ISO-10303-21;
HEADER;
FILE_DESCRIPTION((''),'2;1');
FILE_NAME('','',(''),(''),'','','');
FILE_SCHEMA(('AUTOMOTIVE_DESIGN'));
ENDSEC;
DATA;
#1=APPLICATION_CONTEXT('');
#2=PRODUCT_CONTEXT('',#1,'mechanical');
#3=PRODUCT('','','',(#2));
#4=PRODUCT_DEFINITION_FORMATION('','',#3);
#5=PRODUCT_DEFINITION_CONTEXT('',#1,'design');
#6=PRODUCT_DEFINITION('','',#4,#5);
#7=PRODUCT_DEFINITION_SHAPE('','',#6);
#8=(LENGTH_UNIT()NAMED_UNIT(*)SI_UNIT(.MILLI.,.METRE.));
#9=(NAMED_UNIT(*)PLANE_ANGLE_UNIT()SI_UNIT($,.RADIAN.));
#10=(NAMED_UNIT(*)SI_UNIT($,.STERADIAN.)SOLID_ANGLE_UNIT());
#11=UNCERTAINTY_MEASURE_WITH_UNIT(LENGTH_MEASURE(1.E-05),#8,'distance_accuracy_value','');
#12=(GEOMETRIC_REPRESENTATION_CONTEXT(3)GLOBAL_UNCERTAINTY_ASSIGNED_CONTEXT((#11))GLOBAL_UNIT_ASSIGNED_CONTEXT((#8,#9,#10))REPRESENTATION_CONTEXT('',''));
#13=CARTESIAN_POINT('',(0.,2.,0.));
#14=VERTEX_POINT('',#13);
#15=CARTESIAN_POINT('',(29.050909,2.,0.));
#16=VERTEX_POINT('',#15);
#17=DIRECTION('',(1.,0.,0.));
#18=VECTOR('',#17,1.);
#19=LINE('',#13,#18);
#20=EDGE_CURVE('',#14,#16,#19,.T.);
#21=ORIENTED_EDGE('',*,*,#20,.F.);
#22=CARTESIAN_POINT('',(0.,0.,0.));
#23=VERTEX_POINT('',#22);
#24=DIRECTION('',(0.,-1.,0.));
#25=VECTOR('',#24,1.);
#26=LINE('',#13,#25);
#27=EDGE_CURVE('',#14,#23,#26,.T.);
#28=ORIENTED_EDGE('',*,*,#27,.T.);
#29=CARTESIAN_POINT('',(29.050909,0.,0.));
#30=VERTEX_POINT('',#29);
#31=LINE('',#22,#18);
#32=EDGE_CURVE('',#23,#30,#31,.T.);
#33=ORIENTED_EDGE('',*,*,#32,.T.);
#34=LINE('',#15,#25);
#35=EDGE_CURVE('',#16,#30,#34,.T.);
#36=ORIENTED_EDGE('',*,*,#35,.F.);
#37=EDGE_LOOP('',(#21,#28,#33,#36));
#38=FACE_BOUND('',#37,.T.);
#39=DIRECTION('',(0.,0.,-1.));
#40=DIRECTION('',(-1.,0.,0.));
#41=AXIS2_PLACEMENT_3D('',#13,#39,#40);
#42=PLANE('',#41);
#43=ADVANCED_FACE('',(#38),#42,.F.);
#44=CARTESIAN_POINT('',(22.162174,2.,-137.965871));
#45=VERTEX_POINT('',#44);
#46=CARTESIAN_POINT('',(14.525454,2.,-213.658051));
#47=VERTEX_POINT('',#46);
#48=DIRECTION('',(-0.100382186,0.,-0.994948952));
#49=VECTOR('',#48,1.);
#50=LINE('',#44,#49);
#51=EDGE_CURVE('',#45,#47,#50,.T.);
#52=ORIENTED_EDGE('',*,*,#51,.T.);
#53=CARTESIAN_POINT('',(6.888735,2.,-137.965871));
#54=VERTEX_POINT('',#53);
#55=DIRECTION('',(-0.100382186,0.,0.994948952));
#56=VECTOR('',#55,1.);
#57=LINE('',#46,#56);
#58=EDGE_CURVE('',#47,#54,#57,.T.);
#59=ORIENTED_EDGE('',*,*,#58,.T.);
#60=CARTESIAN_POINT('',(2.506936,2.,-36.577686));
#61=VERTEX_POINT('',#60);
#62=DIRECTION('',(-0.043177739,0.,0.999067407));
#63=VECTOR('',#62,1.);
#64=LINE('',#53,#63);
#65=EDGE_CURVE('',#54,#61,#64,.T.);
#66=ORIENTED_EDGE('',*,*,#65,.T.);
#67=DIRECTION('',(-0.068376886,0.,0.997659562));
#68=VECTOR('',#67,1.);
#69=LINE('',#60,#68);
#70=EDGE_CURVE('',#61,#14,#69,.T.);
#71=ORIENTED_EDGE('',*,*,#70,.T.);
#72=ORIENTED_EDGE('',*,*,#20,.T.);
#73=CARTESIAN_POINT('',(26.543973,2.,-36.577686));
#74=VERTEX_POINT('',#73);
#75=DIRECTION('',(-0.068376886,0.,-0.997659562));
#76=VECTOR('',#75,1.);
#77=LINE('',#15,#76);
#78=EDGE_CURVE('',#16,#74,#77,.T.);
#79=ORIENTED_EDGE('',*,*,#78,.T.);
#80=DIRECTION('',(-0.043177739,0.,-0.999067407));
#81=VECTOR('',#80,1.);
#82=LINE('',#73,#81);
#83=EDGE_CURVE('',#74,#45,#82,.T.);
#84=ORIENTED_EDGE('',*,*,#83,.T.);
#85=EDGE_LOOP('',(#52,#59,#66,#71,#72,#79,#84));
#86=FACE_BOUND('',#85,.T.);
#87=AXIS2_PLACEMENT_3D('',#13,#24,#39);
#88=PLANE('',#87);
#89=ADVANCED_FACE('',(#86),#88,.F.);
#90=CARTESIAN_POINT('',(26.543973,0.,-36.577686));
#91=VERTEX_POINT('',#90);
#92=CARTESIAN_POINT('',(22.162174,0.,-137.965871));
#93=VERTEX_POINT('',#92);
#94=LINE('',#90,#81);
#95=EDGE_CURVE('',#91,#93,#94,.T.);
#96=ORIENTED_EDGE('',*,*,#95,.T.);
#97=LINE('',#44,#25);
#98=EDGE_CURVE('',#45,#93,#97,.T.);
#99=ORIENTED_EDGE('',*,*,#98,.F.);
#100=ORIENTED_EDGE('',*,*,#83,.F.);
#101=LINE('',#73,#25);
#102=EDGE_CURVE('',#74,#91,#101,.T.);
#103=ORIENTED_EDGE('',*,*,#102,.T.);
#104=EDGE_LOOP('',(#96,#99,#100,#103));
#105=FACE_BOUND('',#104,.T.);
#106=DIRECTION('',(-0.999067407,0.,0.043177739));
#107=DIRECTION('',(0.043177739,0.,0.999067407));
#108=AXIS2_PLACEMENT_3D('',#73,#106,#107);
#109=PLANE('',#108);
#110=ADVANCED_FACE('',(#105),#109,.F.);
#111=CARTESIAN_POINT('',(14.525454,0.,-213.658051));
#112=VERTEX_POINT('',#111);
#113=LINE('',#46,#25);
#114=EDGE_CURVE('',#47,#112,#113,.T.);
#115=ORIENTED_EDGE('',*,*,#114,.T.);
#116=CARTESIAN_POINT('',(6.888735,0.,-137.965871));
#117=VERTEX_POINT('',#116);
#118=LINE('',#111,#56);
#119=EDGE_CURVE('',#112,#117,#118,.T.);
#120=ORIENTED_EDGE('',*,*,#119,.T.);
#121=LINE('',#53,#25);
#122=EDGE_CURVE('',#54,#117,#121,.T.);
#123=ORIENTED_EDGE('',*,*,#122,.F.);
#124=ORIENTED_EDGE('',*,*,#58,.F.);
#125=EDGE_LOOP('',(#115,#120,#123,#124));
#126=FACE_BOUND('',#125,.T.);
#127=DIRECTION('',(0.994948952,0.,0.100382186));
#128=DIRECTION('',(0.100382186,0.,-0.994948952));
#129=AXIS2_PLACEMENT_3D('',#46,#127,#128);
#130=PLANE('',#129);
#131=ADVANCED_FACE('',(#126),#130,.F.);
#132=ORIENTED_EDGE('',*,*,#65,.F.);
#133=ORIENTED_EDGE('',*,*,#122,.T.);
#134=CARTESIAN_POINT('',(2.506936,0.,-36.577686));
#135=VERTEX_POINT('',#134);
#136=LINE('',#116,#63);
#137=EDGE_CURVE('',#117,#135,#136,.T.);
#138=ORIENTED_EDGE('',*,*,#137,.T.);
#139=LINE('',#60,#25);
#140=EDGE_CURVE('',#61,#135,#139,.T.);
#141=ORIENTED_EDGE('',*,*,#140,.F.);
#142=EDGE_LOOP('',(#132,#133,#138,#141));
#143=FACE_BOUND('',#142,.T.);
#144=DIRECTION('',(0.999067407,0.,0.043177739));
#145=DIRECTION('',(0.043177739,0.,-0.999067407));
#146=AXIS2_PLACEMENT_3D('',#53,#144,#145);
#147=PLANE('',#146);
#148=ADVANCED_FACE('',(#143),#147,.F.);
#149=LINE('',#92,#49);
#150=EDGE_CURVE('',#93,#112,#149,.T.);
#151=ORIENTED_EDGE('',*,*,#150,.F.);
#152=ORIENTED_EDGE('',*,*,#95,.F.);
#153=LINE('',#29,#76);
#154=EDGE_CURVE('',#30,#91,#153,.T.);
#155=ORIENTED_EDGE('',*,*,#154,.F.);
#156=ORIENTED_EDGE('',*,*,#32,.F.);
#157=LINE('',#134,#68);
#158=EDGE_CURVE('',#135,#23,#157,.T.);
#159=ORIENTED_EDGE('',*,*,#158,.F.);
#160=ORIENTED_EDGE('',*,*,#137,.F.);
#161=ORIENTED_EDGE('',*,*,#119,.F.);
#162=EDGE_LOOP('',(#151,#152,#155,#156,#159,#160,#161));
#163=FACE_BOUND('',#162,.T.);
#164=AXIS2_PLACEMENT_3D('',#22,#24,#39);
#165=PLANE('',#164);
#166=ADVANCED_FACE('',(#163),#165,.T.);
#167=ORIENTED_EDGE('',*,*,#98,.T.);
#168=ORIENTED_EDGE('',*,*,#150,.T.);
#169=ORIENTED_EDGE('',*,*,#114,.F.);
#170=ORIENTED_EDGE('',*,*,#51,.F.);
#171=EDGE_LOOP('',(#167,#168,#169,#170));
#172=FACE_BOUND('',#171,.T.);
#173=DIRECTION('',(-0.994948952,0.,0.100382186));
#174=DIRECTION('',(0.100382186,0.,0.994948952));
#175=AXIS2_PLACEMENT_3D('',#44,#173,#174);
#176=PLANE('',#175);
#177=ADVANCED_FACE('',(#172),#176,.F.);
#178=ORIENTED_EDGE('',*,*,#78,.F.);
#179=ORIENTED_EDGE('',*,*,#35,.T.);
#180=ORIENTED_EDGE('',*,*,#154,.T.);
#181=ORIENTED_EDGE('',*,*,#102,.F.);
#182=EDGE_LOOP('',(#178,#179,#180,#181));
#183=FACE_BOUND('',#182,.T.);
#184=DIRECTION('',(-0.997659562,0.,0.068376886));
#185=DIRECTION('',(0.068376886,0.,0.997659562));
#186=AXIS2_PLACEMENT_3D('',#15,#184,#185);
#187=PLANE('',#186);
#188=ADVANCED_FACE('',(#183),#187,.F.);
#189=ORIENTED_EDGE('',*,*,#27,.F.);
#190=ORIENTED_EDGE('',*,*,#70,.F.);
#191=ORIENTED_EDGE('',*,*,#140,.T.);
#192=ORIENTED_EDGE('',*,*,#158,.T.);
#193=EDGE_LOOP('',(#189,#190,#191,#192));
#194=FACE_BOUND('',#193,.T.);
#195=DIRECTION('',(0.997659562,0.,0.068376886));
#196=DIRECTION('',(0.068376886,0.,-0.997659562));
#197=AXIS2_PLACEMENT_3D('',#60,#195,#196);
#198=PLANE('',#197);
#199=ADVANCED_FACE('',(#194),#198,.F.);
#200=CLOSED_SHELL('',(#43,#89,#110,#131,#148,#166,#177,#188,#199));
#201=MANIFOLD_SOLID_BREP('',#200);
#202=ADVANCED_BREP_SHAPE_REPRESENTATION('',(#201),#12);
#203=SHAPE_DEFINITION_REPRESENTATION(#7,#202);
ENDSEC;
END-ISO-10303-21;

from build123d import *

# Parameters (mm, degrees)
BOSS_EXTRU_1_DEPTH = 2


with BuildPart() as part:
    # Esquisse1 → Boss.-Extru.1 (new body)
    with BuildSketch(Plane(origin=(0, 0, 0), x_dir=(1, 0, 0), z_dir=(0, 1, 0))):
        Polygon((22.162174421, 137.965870962), (14.525454482, 213.65805103), (6.888734543, 137.965870962), (2.506935547, 36.577685564), (0, 0), (29.050908964, 0), (26.543973417, 36.577685564), align=None)
    extrude(amount=BOSS_EXTRU_1_DEPTH)


solid = part.part
